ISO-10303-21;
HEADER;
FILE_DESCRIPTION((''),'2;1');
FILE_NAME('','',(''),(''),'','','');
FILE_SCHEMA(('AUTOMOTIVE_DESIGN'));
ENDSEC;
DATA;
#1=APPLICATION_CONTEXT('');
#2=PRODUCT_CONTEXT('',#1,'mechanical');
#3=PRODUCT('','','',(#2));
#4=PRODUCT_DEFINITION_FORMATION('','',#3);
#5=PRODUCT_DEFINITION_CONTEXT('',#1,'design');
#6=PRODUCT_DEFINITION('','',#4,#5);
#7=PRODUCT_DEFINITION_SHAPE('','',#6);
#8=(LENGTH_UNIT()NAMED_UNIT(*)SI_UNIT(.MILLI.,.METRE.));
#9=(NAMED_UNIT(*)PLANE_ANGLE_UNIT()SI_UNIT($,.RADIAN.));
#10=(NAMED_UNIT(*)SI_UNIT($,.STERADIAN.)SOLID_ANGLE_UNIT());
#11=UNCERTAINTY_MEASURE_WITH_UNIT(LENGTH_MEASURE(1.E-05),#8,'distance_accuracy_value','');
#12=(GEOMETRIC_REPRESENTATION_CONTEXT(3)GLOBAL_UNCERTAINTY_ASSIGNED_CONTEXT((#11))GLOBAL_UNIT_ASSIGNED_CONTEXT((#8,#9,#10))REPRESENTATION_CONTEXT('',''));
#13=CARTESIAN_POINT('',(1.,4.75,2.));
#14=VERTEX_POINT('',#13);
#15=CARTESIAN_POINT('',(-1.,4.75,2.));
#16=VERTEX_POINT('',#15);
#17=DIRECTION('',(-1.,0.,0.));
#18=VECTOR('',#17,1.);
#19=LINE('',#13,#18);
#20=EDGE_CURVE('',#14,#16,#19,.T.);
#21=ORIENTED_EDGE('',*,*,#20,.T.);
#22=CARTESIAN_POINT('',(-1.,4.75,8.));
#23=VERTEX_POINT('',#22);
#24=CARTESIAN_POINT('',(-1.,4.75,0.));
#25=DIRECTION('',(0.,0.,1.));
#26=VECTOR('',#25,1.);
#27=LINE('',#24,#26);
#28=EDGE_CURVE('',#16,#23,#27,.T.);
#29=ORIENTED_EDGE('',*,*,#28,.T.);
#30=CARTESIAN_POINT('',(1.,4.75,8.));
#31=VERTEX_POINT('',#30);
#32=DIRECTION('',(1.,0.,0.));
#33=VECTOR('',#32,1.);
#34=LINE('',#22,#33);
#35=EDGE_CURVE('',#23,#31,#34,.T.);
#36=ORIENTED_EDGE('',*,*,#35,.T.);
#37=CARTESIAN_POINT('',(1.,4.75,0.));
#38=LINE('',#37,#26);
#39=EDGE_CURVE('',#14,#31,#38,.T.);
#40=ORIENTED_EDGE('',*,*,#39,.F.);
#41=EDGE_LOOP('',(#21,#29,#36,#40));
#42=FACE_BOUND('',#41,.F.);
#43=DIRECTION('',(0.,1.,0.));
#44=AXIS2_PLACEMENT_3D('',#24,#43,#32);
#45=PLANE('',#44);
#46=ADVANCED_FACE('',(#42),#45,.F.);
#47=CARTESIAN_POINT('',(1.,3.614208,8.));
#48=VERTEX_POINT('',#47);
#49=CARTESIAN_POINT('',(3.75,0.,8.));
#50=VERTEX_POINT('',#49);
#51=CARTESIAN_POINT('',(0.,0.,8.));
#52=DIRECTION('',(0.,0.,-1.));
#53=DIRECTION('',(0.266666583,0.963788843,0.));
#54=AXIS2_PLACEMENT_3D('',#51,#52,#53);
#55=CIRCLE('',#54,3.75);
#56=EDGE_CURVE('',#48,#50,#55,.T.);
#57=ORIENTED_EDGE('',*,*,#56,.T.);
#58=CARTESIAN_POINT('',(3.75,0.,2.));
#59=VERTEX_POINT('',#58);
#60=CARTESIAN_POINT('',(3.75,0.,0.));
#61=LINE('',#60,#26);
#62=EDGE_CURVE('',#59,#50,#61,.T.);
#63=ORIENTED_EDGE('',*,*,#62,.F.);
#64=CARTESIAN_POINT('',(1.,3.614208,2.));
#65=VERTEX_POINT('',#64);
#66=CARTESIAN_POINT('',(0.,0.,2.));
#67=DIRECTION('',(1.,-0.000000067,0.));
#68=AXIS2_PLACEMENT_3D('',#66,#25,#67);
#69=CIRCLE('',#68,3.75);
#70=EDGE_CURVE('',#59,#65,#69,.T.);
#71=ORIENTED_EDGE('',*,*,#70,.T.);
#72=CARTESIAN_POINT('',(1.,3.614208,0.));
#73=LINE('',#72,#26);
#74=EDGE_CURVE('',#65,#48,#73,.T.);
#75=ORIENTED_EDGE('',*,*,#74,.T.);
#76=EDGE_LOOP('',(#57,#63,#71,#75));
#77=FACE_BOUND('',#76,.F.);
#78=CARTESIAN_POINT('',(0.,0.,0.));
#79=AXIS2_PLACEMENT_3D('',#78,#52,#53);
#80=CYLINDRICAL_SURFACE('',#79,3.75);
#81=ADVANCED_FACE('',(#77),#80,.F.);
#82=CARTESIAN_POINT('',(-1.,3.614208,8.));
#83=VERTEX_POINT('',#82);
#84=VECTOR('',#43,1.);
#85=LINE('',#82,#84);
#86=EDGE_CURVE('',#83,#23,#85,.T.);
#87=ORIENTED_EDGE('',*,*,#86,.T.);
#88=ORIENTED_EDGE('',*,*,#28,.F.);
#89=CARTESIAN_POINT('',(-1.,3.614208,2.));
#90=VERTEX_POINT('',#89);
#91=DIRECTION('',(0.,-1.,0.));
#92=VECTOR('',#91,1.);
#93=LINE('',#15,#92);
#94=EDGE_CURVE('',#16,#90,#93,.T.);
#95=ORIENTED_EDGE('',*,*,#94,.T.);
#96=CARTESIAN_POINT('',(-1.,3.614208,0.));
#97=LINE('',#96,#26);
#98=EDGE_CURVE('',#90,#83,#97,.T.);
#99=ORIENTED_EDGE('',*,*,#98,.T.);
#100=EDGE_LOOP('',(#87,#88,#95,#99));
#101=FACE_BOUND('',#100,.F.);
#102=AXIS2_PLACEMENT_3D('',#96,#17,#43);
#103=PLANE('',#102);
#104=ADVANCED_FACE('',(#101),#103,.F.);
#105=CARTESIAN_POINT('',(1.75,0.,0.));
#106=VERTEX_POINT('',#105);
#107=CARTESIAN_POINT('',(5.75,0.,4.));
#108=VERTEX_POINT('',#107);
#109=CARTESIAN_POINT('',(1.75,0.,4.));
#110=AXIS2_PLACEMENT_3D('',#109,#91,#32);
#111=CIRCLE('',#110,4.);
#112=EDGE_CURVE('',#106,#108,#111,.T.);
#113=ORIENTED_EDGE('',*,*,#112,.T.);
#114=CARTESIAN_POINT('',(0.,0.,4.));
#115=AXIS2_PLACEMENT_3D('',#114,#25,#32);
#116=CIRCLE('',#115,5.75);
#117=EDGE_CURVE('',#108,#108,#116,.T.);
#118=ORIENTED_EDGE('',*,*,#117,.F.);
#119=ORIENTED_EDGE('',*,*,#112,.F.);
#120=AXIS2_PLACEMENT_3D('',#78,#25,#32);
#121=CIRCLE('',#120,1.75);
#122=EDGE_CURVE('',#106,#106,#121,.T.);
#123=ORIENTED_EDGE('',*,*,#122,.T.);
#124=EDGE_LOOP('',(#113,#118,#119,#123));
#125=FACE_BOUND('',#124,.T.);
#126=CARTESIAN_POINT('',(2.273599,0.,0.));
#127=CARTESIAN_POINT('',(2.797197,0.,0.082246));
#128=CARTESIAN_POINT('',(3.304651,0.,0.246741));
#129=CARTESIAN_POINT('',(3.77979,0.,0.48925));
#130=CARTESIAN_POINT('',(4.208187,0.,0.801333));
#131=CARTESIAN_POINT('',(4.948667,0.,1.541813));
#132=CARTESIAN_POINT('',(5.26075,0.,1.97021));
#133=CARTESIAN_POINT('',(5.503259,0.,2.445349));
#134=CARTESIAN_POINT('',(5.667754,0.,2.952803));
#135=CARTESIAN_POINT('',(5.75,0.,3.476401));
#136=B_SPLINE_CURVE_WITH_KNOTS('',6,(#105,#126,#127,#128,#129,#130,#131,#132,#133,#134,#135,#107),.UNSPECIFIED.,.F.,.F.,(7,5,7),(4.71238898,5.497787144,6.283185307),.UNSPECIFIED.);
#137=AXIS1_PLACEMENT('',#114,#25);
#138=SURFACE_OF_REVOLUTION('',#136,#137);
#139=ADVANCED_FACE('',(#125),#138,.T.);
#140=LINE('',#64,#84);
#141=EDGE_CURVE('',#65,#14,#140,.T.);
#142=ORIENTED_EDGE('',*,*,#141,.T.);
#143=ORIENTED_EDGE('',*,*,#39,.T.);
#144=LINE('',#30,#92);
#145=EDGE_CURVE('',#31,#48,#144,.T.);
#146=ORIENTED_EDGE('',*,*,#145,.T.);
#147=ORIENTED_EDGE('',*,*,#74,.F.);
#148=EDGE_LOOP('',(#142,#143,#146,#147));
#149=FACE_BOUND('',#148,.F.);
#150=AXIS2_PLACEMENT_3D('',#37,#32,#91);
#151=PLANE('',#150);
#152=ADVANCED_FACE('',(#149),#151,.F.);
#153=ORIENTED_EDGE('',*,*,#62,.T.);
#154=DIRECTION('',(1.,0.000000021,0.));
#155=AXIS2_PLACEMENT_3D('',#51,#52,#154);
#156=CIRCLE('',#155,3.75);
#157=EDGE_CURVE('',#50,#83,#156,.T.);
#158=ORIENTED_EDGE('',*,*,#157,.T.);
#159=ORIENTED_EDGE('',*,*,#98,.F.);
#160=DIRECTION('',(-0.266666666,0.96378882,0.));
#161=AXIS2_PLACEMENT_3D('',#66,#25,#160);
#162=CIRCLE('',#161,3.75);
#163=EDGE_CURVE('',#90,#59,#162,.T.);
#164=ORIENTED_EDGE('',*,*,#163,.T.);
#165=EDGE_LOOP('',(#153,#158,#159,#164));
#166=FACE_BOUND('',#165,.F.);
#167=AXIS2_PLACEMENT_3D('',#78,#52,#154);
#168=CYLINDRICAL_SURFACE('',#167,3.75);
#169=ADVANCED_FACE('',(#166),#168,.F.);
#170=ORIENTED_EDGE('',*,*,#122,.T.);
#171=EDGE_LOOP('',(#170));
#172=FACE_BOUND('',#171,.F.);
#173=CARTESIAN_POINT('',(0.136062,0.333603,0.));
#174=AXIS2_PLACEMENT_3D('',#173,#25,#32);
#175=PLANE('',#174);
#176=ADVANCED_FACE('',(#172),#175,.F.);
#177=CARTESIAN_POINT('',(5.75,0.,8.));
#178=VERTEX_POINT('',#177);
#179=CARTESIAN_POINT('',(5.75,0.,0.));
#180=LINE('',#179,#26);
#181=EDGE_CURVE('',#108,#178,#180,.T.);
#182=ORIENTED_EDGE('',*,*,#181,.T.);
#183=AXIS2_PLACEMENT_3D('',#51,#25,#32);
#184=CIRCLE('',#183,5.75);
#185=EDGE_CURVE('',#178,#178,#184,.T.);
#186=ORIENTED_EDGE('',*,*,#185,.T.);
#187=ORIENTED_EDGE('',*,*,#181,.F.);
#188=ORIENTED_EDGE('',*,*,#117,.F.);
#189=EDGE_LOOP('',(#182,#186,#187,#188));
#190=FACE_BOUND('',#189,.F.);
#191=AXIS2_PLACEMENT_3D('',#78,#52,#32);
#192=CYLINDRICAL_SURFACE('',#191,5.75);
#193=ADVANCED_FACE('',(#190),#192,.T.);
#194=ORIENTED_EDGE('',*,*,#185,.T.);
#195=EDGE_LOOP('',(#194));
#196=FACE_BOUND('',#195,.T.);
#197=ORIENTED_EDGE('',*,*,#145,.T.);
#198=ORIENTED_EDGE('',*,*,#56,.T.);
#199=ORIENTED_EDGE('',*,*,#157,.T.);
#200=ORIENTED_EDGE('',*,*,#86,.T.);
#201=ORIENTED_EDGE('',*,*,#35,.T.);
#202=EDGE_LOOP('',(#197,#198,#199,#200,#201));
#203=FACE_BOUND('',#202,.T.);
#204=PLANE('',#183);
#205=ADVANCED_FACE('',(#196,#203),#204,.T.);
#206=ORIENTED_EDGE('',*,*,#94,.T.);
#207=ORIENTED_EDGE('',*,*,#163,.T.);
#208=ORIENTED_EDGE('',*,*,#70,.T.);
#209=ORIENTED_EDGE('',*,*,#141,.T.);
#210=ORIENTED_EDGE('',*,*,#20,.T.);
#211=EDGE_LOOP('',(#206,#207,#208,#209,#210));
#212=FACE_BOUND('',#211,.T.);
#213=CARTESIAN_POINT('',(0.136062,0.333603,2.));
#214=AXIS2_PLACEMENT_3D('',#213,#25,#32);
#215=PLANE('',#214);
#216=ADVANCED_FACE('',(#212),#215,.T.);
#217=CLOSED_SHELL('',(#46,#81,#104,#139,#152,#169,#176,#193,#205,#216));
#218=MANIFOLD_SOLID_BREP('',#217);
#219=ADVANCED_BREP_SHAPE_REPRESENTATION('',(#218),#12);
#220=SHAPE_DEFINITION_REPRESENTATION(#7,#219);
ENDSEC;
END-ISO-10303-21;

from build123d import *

# Parameters (mm, degrees)
F0_R     = 5.75
F1_DEPTH = 8
F2_DEPTH = 2
F3_R     = 4


with BuildPart() as f1:
    # F0 (on Top) → F1 (new body)
    with BuildSketch(Plane.XY):
        Circle(F0_R)
        with BuildLine():
            ThreePointArc((1, 3.614208), (2.984334, 2.270738), (3.75, 0))
            ThreePointArc((3.75, 0), (-2.270738, -2.984334), (-1, 3.614208))
            Line((-1, 3.614208), (-1, 4.75))
            Line((-1, 4.75), (1, 4.75))
            Line((1, 4.75), (1, 3.614208))
        make_face(mode=Mode.SUBTRACT)
    extrude(amount=F1_DEPTH)

    # F0 (on Top) → F2 (join)
    with BuildSketch(Plane.XY):
        with BuildLine():
            ThreePointArc((-1, 3.614208), (-2.270738, -2.984334), (3.75, 0))
            ThreePointArc((3.75, 0), (2.984334, 2.270738), (1, 3.614208))
            Line((1, 3.614208), (1, 2.75))
            Line((1, 2.75), (-1, 2.75))
            Line((-1, 2.75), (-1, 3.614208))
        make_face()
        with BuildLine():
            Line((1, 2.75), (1, 3.614208))
            ThreePointArc((1, 3.614208), (0, 3.75), (-1, 3.614208))
            Line((-1, 3.614208), (-1, 2.75))
            Line((-1, 2.75), (1, 2.75))
        make_face()
        with BuildLine():
            ThreePointArc((-1, 3.614208), (0, 3.75), (1, 3.614208))
            Line((1, 3.614208), (1, 4.75))
            Line((1, 4.75), (-1, 4.75))
            Line((-1, 4.75), (-1, 3.614208))
        make_face()
    extrude(amount=F2_DEPTH)

    # F3
    f3_edges = [f1.edges().sort_by_distance(p)[0] for p in [
        (-5.75, 0, 0),
    ]]
    fillet(f3_edges, radius=F3_R)


solid = f1.part
